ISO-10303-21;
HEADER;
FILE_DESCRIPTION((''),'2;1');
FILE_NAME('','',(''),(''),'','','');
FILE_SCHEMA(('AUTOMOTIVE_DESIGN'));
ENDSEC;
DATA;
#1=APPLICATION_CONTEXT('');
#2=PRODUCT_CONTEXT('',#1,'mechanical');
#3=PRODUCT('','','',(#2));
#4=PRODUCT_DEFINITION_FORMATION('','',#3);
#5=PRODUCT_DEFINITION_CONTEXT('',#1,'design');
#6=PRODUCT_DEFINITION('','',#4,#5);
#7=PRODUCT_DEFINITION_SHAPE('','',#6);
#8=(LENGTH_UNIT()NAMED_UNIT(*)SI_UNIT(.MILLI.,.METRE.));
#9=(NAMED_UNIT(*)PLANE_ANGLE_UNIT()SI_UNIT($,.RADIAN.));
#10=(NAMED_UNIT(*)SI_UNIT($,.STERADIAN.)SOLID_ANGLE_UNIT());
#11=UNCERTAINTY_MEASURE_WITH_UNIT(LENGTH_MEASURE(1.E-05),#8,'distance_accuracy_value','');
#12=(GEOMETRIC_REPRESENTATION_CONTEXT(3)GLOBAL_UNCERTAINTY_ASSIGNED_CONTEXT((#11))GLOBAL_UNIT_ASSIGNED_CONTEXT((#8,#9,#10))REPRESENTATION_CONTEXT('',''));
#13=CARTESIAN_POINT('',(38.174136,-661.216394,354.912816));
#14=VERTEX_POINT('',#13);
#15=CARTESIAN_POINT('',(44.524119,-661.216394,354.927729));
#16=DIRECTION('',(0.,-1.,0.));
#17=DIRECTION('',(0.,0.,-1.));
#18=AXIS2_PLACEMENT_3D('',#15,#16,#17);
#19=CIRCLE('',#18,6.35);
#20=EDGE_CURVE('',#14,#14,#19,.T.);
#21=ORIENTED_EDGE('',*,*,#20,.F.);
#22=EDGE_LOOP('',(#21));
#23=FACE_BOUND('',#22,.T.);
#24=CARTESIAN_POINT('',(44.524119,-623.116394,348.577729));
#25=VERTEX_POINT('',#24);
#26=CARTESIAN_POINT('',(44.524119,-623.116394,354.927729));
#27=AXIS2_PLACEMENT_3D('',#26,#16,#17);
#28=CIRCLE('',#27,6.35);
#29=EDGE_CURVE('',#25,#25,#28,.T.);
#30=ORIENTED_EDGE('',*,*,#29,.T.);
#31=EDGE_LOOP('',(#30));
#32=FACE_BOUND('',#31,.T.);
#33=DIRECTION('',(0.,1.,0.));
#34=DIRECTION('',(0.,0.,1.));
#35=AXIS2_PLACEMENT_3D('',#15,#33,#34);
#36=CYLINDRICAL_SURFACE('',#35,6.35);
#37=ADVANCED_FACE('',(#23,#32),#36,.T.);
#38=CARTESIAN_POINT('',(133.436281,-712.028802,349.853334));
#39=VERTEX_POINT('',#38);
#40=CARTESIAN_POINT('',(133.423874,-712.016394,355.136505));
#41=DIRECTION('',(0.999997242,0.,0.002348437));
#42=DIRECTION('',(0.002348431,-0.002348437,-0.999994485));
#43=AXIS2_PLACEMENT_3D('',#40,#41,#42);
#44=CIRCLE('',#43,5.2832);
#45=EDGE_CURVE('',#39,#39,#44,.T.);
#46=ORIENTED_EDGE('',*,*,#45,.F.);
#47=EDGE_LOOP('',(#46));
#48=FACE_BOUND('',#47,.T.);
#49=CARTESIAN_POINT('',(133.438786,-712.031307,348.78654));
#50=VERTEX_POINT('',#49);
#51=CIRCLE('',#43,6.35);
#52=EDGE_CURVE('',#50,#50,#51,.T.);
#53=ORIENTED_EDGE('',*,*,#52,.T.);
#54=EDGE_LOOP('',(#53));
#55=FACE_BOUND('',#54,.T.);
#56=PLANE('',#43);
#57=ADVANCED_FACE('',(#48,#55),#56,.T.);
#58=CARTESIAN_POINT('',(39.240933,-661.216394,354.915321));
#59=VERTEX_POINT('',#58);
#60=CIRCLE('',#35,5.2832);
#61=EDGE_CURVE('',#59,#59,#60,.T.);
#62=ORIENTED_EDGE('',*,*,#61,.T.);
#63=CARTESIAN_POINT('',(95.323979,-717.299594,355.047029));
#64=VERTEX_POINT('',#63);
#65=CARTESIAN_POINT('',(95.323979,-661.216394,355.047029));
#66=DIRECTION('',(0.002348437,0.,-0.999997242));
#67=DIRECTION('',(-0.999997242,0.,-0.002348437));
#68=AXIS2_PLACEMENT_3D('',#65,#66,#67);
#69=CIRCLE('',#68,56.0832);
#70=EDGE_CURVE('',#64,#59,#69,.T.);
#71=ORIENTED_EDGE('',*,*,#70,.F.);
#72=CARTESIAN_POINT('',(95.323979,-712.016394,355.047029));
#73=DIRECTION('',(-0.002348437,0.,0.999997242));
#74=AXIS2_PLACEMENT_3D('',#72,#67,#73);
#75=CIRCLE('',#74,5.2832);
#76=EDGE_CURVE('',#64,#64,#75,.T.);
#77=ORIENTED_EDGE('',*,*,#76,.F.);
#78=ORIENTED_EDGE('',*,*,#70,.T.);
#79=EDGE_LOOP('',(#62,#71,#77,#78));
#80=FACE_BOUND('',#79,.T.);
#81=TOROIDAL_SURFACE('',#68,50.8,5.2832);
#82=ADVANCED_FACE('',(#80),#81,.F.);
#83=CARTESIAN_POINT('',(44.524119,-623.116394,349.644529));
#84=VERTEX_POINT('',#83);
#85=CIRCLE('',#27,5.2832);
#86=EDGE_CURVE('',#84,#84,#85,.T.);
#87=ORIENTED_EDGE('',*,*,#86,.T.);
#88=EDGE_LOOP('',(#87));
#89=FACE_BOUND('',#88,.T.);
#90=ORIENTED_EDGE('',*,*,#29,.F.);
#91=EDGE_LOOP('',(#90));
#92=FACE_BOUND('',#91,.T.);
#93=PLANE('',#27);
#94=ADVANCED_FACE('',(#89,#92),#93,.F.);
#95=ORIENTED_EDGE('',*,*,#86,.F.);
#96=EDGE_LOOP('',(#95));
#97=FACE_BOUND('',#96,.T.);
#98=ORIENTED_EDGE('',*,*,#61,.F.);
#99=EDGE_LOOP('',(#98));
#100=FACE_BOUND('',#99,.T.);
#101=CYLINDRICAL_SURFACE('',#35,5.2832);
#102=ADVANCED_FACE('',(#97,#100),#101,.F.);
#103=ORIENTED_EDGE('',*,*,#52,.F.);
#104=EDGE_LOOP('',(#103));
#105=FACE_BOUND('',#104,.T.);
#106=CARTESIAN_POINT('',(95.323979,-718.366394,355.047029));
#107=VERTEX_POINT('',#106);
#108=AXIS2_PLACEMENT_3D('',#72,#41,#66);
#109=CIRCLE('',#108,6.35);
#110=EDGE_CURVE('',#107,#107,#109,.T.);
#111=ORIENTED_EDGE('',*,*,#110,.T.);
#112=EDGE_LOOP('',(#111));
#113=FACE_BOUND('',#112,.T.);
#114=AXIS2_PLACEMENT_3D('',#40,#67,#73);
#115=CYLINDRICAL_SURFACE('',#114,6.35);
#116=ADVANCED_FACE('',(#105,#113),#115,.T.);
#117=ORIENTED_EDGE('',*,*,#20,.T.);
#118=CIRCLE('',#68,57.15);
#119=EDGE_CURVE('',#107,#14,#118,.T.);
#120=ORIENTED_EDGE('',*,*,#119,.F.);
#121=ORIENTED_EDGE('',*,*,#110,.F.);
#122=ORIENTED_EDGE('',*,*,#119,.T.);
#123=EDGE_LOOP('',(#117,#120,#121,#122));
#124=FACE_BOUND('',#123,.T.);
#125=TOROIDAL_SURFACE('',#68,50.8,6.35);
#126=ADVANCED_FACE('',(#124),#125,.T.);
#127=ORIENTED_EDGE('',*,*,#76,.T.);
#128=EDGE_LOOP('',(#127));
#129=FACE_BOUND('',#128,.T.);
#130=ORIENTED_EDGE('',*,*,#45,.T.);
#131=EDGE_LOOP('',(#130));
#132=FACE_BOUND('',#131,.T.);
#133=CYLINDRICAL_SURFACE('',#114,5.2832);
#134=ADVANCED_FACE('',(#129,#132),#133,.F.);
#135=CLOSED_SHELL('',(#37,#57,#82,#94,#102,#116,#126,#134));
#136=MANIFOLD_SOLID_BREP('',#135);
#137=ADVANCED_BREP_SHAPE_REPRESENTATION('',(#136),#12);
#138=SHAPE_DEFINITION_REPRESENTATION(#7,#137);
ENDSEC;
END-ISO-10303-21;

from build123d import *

# Parameters (mm, degrees)
SKETCH1_R                 = 6.35
SKETCH1_R_2               = 5.2832
PIPE_0_5_SCH_40_1_DEPTH   = 38.1
SKETCH1_ON_SEGMENT_2_R    = 6.35
SKETCH1_ON_SEGMENT_2_R_2  = 5.2832
PIPE_0_5_SCH_40_1_2_ANGLE = 90
SKETCH1_ON_SEGMENT_3_R    = 6.35
SKETCH1_ON_SEGMENT_3_R_2  = 5.2832
PIPE_0_5_SCH_40_1_3_DEPTH = 38.1


with BuildPart() as part:
    # Sketch1 → Pipe 0.5 SCH 40(1) (new body)
    with BuildSketch(Plane(origin=(44.524118781, -623.116394341, 354.927728694), x_dir=(1, 0, 0), z_dir=(0, -1, 0))):
        Circle(SKETCH1_R)
        Circle(SKETCH1_R_2, mode=Mode.SUBTRACT)
    extrude(amount=PIPE_0_5_SCH_40_1_DEPTH)


with BuildPart() as body_2:
    # Sketch1 on segment 2 (carried to the start of arc 2) → Pipe 0.5 SCH 40_1 2 (revolve)
    with BuildSketch(Plane(origin=(44.524118781, -661.216394341, 354.927728694), x_dir=(1, 0, 0), z_dir=(0, -1, 0))):
        Circle(SKETCH1_ON_SEGMENT_2_R)
        Circle(SKETCH1_ON_SEGMENT_2_R_2, mode=Mode.SUBTRACT)
    revolve(axis=Axis((95.323978696, -661.216394341, 355.047029303), (-0.002348437, 0, 0.999997242)), revolution_arc=PIPE_0_5_SCH_40_1_2_ANGLE)


with BuildPart() as body_3:
    # Sketch1 on segment 3 (carried to segment 3) → Pipe 0.5 SCH 40_1 3 (new body)
    with BuildSketch(Plane(origin=(95.323978696, -712.016394341, 355.047029303), x_dir=(5.515e-06, 0.999997242, -0.002348431), z_dir=(0.999997242, 0, 0.002348437))):
        Circle(SKETCH1_ON_SEGMENT_3_R)
        Circle(SKETCH1_ON_SEGMENT_3_R_2, mode=Mode.SUBTRACT)
    extrude(amount=PIPE_0_5_SCH_40_1_3_DEPTH)


with BuildPart() as part_1:
    add(part.part)

    # Pipe 0.5 SCH 40(1) as one body: union body 2, body 3
    add(body_2.part)
    add(body_3.part)


solid = part_1.part
